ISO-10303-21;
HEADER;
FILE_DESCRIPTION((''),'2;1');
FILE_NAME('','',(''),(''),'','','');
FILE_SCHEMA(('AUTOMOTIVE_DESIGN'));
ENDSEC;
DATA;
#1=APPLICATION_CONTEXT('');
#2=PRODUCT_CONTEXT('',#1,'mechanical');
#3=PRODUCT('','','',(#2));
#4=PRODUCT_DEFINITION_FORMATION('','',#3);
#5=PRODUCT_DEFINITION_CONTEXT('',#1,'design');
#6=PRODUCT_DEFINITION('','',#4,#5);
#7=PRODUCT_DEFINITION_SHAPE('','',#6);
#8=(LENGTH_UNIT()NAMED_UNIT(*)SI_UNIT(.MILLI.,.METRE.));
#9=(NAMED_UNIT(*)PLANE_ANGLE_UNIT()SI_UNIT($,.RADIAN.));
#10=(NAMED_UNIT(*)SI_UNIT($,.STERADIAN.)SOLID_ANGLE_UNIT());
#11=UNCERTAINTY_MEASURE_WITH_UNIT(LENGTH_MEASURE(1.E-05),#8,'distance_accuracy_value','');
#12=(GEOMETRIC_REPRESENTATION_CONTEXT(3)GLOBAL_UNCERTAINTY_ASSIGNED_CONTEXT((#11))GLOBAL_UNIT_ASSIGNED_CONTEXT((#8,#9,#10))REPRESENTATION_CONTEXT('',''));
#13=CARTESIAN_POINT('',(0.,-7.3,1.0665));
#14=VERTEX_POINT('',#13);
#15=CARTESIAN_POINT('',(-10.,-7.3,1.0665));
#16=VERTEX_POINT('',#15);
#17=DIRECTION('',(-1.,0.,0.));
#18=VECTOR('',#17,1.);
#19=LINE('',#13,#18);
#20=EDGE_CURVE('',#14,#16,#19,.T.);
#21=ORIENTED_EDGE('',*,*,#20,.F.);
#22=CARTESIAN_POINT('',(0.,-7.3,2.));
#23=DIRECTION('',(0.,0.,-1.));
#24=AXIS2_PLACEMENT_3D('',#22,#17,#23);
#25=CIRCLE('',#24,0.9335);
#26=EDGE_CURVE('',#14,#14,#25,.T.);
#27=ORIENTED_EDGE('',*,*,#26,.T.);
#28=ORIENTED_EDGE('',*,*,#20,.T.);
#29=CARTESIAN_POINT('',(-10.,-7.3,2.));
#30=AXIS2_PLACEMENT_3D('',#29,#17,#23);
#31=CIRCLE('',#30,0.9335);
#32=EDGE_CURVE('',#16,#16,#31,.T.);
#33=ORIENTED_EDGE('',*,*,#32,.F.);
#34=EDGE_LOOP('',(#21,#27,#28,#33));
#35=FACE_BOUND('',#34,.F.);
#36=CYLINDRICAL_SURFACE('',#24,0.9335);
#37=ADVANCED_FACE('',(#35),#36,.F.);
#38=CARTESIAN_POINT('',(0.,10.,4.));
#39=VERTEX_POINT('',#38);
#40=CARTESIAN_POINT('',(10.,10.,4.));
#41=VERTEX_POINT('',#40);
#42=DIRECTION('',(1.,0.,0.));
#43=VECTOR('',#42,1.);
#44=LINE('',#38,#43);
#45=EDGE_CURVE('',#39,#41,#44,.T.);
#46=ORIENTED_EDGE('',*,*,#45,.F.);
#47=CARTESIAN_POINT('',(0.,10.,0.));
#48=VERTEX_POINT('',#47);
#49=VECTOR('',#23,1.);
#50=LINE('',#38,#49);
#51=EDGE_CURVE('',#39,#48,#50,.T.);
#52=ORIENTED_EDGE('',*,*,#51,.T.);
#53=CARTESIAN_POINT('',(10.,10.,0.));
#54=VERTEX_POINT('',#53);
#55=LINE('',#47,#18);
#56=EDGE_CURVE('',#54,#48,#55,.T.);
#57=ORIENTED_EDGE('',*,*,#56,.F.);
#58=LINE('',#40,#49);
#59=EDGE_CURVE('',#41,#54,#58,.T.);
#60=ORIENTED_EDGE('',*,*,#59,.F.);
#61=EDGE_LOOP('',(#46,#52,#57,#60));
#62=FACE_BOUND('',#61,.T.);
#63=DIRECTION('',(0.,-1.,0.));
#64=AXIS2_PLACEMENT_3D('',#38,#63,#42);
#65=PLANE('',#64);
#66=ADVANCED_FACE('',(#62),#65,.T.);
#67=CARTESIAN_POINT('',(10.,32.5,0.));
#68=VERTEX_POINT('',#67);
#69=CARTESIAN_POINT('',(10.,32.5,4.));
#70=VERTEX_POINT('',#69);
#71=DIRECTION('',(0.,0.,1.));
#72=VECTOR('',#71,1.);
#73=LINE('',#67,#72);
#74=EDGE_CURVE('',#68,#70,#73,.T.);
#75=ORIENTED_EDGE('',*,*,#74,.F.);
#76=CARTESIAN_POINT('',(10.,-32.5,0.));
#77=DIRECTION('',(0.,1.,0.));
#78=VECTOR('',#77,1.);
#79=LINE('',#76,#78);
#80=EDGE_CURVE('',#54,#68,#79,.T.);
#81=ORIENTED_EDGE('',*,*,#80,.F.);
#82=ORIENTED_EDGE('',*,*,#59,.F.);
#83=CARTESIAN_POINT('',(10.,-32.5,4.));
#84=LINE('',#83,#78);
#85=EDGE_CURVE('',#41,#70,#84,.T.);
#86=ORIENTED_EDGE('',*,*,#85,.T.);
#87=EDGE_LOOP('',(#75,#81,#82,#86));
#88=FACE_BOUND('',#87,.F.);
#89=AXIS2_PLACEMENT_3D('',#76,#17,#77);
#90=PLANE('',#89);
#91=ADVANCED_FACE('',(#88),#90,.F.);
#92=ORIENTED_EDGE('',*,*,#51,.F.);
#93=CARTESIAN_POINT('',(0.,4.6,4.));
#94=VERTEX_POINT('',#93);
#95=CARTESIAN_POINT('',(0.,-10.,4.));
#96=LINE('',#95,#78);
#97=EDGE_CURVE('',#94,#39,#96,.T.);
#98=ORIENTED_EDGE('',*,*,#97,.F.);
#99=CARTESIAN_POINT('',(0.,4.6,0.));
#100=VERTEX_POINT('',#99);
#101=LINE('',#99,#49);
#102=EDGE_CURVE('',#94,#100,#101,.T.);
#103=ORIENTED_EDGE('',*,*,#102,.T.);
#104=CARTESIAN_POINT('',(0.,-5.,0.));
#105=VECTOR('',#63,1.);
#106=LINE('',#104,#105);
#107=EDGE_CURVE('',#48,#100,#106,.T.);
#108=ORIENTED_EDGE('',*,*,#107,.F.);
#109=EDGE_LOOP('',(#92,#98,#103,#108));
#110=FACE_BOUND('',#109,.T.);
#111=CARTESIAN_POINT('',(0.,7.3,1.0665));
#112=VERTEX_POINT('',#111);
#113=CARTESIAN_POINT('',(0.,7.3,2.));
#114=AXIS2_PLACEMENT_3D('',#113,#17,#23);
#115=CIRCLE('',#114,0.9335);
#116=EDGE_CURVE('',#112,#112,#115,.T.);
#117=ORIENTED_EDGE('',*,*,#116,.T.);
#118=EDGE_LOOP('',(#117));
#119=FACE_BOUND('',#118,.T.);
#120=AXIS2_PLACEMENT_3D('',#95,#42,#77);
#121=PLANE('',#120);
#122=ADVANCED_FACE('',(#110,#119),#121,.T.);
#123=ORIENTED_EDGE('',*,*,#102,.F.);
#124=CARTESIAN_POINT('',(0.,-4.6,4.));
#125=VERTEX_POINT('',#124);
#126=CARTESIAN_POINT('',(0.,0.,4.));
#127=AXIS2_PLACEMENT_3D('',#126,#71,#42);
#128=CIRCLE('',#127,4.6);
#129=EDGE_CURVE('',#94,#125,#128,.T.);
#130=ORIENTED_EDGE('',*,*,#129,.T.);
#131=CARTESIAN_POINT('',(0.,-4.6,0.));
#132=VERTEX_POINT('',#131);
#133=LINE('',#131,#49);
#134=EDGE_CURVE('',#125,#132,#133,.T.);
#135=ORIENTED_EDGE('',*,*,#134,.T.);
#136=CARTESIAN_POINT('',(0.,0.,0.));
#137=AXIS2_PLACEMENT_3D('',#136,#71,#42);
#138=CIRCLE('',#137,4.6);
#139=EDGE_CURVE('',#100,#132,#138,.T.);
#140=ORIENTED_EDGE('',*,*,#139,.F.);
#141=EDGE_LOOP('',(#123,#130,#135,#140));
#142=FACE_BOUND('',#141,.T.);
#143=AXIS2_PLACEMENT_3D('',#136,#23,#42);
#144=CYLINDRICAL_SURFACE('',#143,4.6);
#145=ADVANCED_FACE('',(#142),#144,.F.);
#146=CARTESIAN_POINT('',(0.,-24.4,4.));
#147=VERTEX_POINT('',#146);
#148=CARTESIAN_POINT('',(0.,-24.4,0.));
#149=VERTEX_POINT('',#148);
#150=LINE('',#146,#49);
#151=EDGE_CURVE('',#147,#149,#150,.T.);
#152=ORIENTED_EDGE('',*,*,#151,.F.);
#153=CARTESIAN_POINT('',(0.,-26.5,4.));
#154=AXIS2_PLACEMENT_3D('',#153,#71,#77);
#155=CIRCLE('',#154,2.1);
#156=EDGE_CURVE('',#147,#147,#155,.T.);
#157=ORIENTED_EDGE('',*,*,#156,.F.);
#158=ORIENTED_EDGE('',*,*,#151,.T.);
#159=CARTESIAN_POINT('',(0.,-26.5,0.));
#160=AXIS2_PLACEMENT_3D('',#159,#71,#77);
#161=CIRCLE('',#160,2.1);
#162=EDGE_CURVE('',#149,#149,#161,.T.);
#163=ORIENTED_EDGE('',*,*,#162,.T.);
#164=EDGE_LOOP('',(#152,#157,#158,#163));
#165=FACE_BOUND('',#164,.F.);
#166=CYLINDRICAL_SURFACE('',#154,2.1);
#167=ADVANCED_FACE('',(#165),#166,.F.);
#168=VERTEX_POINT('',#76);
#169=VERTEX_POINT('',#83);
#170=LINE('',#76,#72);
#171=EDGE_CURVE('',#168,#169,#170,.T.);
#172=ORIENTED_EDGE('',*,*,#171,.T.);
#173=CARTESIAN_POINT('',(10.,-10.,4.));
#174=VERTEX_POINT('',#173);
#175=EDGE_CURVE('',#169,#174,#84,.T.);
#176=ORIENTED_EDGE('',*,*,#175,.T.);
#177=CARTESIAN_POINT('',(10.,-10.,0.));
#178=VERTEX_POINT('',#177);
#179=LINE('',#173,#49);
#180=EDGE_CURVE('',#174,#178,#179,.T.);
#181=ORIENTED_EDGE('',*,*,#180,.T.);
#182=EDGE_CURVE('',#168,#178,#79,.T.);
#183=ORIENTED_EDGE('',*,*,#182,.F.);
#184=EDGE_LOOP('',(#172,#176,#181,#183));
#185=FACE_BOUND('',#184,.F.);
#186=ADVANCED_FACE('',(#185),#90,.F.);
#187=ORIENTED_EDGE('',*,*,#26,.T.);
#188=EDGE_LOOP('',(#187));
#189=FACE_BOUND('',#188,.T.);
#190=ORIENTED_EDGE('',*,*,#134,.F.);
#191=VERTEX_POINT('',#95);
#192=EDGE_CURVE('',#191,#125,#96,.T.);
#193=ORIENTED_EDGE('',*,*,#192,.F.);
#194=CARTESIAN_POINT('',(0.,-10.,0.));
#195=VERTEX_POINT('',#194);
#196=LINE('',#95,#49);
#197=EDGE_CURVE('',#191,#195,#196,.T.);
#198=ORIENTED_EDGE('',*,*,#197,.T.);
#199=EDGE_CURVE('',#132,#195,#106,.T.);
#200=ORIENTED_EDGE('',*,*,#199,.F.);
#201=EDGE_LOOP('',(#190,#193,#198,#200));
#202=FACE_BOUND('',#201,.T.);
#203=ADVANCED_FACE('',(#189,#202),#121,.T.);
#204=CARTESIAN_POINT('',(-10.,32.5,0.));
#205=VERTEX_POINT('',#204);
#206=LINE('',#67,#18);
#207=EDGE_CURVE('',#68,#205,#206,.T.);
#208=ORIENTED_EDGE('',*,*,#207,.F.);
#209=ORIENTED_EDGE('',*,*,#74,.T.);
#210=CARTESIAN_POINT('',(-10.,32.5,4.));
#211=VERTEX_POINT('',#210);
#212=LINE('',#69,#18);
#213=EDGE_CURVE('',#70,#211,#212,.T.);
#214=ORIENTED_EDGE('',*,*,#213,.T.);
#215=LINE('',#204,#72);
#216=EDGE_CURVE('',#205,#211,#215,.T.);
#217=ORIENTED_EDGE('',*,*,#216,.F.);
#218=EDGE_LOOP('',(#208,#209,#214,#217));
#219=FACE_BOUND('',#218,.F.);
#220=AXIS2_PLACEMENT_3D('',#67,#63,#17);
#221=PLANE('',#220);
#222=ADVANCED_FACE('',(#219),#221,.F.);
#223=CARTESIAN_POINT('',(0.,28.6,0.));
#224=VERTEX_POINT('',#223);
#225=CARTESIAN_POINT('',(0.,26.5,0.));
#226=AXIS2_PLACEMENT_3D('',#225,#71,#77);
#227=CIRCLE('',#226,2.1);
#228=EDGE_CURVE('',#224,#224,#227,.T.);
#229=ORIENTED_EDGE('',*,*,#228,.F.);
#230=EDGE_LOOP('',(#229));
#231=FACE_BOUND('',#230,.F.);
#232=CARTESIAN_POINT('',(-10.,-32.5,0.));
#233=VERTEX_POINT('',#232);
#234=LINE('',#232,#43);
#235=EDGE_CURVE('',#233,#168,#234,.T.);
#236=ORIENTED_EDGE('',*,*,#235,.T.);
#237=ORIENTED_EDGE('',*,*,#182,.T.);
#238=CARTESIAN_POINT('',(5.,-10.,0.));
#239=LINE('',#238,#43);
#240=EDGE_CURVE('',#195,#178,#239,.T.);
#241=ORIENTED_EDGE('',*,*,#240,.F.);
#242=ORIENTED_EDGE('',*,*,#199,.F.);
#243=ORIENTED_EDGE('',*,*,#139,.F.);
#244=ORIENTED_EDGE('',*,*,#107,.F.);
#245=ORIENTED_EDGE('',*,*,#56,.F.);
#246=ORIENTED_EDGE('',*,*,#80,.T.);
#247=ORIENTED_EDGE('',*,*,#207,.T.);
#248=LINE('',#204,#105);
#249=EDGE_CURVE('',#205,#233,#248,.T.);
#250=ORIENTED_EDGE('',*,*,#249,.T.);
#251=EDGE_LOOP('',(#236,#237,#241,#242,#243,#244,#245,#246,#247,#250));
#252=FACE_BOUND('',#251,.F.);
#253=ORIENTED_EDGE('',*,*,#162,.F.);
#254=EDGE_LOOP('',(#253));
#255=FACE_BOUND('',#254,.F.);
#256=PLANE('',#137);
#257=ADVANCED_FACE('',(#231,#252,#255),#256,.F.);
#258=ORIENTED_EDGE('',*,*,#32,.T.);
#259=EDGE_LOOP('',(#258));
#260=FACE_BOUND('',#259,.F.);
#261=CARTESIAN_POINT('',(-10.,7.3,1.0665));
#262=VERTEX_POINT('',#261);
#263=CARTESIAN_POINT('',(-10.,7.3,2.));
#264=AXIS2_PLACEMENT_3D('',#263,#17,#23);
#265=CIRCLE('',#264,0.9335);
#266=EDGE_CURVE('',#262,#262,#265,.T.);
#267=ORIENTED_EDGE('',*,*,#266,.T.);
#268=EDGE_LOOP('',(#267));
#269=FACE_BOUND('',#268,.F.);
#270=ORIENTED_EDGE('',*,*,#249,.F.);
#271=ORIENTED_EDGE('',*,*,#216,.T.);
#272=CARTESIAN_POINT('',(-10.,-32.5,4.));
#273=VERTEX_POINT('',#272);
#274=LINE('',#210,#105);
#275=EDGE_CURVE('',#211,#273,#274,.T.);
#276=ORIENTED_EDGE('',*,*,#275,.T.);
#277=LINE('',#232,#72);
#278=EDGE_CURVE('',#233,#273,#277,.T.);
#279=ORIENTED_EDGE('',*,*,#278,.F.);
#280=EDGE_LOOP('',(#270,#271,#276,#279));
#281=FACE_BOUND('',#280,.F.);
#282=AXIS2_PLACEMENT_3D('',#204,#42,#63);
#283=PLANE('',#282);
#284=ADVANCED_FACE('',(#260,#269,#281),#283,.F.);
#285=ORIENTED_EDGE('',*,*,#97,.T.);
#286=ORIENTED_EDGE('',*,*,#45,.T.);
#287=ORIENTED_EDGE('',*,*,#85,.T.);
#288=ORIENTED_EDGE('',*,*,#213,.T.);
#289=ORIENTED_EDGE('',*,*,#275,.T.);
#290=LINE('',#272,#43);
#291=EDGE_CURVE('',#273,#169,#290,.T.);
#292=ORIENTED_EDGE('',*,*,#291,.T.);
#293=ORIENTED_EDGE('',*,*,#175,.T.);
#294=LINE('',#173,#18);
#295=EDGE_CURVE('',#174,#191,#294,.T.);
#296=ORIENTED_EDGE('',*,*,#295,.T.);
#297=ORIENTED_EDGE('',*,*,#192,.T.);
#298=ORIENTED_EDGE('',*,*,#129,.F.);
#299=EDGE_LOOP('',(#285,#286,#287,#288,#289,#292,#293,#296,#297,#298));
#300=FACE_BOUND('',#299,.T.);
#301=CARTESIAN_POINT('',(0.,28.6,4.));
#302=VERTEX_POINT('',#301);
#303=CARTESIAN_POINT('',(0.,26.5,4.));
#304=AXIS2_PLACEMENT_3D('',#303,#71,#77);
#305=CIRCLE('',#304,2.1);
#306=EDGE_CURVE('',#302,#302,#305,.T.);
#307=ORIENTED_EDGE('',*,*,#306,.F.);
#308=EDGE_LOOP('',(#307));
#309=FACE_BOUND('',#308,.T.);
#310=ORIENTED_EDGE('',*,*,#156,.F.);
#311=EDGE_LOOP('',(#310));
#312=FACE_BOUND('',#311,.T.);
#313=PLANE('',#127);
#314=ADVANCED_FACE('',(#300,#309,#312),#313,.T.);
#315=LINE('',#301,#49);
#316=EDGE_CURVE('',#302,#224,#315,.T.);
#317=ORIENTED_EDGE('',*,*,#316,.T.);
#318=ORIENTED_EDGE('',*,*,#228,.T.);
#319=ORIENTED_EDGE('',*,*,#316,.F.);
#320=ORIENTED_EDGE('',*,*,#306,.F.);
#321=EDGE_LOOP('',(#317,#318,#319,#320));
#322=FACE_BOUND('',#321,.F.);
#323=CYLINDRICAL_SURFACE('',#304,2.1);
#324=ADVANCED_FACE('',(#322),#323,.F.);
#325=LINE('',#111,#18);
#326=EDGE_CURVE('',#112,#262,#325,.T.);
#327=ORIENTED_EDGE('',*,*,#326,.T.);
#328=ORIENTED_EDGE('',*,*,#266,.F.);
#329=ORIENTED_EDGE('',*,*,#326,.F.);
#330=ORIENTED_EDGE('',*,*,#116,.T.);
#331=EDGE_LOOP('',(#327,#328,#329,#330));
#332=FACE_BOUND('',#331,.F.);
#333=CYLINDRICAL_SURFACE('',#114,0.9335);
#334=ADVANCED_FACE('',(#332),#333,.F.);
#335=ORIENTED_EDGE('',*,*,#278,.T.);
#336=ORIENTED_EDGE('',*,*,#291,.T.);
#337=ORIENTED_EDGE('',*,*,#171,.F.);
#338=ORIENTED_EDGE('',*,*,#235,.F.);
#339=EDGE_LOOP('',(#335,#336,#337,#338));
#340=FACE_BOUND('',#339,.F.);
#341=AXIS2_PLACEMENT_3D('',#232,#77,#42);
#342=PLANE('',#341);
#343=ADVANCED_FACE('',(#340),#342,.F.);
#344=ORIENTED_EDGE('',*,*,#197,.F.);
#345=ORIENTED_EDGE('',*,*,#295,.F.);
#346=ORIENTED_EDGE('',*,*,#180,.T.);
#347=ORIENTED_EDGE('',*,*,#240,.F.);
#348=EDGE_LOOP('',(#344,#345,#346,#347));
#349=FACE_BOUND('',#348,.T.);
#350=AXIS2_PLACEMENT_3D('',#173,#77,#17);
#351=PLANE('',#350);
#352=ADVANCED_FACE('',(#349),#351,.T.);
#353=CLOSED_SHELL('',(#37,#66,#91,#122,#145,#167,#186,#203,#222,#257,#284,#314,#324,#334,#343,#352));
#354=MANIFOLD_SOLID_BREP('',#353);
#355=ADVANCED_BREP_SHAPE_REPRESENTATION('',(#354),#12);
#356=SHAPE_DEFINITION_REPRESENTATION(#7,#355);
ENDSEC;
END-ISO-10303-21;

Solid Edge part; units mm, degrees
sketch "Sketch1" plane through (0, 0, 0) normal (0, 0, 1) x (1, 0, 0)
  line L0 (-10, -32.5) -> (10, -32.5)
  line L1 (10, -32.5) -> (10, 32.5)
  line L2 (10, 32.5) -> (-10, 32.5)
  line L3 (-10, 32.5) -> (-10, -32.5)
  circle A0 centre (0, 0) radius 4.6
  dimension "D1" = 65
  dimension "D2" = 20
extrude "Protrusion1" add sketch "Sketch1" along normal blind 4
sketch "Sketch2" plane through (0, 0, 4) normal (0, 0, 1) x (1, 0, 0)
  line L0 (0, 10) -> (10, 10)
  line L1 (10, 10) -> (10, -10)
  line L2 (10, -10) -> (0, -10)
  line L3 (0, -10) -> (0, 10)
  dimension "D1" = 20
  dimension "D2" = 10
extrude "Cutout1" cut sketch "Sketch2" against normal up to next
sketch "Sketch3" plane through (0, 0, 4) normal (0, 0, 1) x (0, 1, 0)
  circle A0 centre (26.5, 0) radius 2.1
  circle A1 centre (-26.5, 0) radius 2.1
  dimension "D1" = 53
  dimension "D2" = 26.5
extrude "Cutout2" cut sketch "Sketch3" against normal up to next
hole "Hole_1" at (0, 7.3, 2) direction (-1, 0, 0) diameter 1.867 depth 10 thread major 2.3 thread length 8
hole "Hole1" at (0, -7.3, 2) direction (-1, 0, 0) diameter 1.867 depth 10 thread major 2.3 thread length 8
